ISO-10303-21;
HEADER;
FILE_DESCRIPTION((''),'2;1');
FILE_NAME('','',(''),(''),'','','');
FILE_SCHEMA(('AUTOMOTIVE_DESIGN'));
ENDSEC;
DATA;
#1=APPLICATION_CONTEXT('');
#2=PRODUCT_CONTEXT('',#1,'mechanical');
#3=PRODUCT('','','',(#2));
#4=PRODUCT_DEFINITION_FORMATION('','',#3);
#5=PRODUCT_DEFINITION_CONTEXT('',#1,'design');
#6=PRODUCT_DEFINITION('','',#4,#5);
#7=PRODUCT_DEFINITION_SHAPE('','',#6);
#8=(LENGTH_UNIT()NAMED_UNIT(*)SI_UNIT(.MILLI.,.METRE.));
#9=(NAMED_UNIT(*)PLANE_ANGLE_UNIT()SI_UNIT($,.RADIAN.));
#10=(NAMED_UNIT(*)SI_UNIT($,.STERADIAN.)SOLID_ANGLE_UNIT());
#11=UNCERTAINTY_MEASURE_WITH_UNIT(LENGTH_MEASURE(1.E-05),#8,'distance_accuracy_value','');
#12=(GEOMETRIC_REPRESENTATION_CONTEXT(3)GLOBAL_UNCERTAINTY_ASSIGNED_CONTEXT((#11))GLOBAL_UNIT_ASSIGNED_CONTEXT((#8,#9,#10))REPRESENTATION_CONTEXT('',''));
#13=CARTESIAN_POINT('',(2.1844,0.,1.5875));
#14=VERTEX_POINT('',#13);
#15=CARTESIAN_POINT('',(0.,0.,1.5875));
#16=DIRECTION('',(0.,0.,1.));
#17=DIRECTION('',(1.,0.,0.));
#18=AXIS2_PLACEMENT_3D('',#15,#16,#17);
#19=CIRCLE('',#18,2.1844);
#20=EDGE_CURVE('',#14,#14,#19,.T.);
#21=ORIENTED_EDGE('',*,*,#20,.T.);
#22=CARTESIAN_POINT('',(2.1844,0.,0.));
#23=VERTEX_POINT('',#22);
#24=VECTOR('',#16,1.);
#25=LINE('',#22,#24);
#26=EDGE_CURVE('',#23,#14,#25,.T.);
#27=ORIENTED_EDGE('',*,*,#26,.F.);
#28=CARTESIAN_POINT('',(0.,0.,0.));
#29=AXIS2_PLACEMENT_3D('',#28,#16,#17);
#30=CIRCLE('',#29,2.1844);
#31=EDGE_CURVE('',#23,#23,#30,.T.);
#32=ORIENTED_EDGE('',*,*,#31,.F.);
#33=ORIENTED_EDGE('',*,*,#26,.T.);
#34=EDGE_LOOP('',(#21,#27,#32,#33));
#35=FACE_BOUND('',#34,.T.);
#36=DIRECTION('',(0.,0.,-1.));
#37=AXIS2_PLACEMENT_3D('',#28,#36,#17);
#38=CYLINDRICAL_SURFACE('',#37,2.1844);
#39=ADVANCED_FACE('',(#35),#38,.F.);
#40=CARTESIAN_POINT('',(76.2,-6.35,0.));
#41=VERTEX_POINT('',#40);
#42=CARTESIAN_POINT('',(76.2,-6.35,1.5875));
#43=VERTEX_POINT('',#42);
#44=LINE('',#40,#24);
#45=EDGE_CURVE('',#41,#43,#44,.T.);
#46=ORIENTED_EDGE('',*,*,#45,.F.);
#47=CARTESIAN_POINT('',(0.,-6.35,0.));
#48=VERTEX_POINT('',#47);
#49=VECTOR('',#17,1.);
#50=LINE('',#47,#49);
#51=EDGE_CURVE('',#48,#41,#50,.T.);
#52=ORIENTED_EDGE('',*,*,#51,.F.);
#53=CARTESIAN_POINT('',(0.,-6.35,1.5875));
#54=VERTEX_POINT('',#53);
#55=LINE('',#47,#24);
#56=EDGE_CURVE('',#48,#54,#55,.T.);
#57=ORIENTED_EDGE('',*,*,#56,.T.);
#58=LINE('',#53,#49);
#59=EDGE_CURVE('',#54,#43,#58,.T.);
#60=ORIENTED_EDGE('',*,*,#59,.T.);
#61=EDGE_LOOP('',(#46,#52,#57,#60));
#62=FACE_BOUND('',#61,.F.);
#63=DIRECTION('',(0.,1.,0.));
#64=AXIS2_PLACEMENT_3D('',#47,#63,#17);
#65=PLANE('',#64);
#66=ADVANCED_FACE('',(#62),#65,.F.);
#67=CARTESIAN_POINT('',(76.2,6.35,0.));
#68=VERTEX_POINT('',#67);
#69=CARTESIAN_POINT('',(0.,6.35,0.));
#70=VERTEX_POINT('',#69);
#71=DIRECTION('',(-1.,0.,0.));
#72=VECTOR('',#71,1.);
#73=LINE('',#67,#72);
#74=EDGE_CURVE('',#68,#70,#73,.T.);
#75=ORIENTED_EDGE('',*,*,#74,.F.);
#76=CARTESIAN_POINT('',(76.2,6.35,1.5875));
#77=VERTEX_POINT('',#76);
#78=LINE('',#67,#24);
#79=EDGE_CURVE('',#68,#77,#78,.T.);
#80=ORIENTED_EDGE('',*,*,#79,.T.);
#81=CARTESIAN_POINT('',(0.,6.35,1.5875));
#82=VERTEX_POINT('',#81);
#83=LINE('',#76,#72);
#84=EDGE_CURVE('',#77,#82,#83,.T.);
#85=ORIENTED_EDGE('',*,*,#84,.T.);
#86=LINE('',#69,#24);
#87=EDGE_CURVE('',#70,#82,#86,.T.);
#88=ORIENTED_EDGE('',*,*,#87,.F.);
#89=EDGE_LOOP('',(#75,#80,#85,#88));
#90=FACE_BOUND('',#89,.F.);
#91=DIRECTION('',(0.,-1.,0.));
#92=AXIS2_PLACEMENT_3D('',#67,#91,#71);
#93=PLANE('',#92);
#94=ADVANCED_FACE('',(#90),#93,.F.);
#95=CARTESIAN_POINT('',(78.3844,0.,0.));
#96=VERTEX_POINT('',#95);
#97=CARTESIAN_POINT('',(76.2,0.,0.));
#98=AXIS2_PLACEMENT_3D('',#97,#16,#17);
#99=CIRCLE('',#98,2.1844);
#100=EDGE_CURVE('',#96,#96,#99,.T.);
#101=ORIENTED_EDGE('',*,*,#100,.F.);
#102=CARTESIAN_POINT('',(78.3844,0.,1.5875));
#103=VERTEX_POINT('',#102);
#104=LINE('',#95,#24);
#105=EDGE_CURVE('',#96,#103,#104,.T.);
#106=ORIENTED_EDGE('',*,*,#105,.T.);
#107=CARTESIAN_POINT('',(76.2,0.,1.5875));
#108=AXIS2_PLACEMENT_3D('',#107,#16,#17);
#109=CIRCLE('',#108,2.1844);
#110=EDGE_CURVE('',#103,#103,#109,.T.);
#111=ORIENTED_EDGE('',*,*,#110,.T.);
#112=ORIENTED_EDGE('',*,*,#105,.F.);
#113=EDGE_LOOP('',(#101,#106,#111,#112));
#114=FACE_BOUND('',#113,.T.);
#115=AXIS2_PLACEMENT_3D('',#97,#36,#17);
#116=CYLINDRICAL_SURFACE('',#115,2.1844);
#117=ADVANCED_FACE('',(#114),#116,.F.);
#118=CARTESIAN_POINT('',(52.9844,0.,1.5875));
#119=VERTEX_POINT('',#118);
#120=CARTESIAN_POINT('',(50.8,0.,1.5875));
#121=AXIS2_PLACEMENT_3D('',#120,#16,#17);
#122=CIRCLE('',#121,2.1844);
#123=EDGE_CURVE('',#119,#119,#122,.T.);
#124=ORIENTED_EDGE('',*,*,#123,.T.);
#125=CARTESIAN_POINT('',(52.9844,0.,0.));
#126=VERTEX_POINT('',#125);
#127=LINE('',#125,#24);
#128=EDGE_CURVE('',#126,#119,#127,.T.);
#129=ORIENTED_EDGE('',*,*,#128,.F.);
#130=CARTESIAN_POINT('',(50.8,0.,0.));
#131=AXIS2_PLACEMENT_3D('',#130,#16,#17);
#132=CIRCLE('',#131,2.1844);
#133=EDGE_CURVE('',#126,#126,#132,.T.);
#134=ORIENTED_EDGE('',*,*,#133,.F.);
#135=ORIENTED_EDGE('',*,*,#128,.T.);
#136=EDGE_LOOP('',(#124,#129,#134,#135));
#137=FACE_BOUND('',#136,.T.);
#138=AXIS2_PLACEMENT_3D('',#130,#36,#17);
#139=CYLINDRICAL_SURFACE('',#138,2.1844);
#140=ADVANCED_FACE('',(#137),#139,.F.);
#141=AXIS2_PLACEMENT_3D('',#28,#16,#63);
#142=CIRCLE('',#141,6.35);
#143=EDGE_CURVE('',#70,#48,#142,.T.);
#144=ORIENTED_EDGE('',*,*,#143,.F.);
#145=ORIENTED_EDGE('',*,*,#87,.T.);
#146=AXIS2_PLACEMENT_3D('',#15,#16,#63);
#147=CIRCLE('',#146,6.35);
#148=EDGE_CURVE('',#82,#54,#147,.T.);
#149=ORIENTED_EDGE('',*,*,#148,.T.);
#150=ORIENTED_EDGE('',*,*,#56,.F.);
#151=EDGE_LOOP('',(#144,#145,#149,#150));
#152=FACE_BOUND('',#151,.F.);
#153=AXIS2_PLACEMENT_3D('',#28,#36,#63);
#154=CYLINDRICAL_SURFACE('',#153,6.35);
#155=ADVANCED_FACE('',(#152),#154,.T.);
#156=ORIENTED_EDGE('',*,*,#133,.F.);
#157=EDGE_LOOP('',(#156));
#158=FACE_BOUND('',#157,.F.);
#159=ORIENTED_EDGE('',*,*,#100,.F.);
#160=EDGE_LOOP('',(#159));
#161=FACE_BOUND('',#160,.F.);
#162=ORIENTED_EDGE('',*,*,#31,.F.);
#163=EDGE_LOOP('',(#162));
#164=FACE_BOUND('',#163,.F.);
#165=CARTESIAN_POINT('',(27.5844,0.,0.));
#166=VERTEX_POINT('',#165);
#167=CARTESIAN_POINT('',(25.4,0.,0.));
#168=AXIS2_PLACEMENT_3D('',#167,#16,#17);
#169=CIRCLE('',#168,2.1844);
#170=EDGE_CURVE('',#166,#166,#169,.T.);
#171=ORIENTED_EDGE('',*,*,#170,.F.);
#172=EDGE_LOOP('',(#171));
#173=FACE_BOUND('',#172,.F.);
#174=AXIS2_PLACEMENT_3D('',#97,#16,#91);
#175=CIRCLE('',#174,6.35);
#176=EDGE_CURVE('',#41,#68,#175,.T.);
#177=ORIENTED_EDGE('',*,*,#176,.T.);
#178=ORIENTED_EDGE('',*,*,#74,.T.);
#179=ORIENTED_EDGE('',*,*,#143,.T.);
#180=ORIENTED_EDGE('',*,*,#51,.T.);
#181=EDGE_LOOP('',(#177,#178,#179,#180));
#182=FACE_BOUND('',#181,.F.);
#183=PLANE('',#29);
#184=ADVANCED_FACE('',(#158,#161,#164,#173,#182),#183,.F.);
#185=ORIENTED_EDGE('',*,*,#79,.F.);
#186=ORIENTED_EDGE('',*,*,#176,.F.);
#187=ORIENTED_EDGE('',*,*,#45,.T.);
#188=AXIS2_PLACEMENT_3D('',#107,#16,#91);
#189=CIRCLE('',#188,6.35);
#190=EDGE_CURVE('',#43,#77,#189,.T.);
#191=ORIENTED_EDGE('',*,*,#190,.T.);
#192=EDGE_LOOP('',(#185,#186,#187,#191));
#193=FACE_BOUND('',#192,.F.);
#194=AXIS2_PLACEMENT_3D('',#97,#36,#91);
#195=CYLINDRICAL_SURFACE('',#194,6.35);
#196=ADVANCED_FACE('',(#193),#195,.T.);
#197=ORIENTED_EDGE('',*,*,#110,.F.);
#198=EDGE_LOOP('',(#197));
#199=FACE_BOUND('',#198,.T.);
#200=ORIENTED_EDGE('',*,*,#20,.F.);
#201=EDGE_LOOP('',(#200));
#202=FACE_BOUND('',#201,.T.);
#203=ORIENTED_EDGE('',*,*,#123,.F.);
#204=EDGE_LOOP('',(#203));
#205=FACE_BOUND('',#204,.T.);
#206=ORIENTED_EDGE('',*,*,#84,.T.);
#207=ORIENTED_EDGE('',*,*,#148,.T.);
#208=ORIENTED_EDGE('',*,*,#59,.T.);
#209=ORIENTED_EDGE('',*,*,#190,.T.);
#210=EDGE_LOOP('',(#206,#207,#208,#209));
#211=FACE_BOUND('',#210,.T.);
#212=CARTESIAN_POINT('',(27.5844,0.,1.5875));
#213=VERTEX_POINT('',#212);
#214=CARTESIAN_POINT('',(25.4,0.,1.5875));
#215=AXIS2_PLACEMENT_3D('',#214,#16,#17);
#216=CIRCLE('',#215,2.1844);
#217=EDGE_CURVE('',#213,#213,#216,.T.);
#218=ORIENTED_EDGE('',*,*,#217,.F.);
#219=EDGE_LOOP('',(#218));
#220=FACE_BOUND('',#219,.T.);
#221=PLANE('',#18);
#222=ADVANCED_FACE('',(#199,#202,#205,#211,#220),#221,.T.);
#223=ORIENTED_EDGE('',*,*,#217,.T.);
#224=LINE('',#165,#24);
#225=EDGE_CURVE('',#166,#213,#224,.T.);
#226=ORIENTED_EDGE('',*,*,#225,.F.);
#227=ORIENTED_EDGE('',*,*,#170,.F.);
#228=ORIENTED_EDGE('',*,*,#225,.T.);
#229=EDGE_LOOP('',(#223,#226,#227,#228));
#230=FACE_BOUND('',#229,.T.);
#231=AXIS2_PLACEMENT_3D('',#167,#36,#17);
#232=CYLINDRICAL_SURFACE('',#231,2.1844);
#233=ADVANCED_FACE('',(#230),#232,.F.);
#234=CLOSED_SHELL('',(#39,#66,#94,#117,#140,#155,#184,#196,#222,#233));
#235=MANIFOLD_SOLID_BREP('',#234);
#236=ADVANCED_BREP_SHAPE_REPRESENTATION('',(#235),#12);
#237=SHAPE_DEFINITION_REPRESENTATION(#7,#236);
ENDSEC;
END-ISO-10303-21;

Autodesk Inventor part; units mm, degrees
ref_plane "YZ Plane" through (0, 0, 0) normal (1, 0, 0) x (0, 1, 0)
ref_plane "XZ Plane" through (0, 0, 0) normal (0, 1, 0) x (-1, 0, 0)
ref_plane "XY Plane" through (0, 0, 0) normal (0, 0, 1) x (1, 0, 0)
sketch "Sketch1" plane through (0, 0, 0) normal (0, 0, 1) x (1, 0, 0)
  circle A0 centre (0, 0) radius 2.1844
  circle A1 centre (76.2, 0) radius 2.1844
  circle A2 centre (25.4, 0) radius 2.1844
  circle A3 centre (50.8, 0) radius 2.1844
  line L0 (0, -6.35) -> (76.2, -6.35)
  arc A4 (76.2, -6.35) -> (76.2, 6.35) centre (76.2, 0) ccw
  line L1 (76.2, 6.35) -> (0, 6.35)
  arc A5 (0, 6.35) -> (0, -6.35) centre (0, 0) ccw
  dimension "d0" = 4.3688
  dimension "d6" = 4.3688
  dimension "d12" = 4.3688
  dimension "d13" = 25.4
  dimension "d14" = 76.2
  dimension "d15" = 4.3688
  dimension "d16" = 25.4
  dimension "d17" = 76.2
  dimension "d20" = 76.2
extrude "Extrusion2" add sketch "Sketch1" along normal blind 1.5875
properties part number "2ndpreroller" material "Polycarbonate, Clear"
